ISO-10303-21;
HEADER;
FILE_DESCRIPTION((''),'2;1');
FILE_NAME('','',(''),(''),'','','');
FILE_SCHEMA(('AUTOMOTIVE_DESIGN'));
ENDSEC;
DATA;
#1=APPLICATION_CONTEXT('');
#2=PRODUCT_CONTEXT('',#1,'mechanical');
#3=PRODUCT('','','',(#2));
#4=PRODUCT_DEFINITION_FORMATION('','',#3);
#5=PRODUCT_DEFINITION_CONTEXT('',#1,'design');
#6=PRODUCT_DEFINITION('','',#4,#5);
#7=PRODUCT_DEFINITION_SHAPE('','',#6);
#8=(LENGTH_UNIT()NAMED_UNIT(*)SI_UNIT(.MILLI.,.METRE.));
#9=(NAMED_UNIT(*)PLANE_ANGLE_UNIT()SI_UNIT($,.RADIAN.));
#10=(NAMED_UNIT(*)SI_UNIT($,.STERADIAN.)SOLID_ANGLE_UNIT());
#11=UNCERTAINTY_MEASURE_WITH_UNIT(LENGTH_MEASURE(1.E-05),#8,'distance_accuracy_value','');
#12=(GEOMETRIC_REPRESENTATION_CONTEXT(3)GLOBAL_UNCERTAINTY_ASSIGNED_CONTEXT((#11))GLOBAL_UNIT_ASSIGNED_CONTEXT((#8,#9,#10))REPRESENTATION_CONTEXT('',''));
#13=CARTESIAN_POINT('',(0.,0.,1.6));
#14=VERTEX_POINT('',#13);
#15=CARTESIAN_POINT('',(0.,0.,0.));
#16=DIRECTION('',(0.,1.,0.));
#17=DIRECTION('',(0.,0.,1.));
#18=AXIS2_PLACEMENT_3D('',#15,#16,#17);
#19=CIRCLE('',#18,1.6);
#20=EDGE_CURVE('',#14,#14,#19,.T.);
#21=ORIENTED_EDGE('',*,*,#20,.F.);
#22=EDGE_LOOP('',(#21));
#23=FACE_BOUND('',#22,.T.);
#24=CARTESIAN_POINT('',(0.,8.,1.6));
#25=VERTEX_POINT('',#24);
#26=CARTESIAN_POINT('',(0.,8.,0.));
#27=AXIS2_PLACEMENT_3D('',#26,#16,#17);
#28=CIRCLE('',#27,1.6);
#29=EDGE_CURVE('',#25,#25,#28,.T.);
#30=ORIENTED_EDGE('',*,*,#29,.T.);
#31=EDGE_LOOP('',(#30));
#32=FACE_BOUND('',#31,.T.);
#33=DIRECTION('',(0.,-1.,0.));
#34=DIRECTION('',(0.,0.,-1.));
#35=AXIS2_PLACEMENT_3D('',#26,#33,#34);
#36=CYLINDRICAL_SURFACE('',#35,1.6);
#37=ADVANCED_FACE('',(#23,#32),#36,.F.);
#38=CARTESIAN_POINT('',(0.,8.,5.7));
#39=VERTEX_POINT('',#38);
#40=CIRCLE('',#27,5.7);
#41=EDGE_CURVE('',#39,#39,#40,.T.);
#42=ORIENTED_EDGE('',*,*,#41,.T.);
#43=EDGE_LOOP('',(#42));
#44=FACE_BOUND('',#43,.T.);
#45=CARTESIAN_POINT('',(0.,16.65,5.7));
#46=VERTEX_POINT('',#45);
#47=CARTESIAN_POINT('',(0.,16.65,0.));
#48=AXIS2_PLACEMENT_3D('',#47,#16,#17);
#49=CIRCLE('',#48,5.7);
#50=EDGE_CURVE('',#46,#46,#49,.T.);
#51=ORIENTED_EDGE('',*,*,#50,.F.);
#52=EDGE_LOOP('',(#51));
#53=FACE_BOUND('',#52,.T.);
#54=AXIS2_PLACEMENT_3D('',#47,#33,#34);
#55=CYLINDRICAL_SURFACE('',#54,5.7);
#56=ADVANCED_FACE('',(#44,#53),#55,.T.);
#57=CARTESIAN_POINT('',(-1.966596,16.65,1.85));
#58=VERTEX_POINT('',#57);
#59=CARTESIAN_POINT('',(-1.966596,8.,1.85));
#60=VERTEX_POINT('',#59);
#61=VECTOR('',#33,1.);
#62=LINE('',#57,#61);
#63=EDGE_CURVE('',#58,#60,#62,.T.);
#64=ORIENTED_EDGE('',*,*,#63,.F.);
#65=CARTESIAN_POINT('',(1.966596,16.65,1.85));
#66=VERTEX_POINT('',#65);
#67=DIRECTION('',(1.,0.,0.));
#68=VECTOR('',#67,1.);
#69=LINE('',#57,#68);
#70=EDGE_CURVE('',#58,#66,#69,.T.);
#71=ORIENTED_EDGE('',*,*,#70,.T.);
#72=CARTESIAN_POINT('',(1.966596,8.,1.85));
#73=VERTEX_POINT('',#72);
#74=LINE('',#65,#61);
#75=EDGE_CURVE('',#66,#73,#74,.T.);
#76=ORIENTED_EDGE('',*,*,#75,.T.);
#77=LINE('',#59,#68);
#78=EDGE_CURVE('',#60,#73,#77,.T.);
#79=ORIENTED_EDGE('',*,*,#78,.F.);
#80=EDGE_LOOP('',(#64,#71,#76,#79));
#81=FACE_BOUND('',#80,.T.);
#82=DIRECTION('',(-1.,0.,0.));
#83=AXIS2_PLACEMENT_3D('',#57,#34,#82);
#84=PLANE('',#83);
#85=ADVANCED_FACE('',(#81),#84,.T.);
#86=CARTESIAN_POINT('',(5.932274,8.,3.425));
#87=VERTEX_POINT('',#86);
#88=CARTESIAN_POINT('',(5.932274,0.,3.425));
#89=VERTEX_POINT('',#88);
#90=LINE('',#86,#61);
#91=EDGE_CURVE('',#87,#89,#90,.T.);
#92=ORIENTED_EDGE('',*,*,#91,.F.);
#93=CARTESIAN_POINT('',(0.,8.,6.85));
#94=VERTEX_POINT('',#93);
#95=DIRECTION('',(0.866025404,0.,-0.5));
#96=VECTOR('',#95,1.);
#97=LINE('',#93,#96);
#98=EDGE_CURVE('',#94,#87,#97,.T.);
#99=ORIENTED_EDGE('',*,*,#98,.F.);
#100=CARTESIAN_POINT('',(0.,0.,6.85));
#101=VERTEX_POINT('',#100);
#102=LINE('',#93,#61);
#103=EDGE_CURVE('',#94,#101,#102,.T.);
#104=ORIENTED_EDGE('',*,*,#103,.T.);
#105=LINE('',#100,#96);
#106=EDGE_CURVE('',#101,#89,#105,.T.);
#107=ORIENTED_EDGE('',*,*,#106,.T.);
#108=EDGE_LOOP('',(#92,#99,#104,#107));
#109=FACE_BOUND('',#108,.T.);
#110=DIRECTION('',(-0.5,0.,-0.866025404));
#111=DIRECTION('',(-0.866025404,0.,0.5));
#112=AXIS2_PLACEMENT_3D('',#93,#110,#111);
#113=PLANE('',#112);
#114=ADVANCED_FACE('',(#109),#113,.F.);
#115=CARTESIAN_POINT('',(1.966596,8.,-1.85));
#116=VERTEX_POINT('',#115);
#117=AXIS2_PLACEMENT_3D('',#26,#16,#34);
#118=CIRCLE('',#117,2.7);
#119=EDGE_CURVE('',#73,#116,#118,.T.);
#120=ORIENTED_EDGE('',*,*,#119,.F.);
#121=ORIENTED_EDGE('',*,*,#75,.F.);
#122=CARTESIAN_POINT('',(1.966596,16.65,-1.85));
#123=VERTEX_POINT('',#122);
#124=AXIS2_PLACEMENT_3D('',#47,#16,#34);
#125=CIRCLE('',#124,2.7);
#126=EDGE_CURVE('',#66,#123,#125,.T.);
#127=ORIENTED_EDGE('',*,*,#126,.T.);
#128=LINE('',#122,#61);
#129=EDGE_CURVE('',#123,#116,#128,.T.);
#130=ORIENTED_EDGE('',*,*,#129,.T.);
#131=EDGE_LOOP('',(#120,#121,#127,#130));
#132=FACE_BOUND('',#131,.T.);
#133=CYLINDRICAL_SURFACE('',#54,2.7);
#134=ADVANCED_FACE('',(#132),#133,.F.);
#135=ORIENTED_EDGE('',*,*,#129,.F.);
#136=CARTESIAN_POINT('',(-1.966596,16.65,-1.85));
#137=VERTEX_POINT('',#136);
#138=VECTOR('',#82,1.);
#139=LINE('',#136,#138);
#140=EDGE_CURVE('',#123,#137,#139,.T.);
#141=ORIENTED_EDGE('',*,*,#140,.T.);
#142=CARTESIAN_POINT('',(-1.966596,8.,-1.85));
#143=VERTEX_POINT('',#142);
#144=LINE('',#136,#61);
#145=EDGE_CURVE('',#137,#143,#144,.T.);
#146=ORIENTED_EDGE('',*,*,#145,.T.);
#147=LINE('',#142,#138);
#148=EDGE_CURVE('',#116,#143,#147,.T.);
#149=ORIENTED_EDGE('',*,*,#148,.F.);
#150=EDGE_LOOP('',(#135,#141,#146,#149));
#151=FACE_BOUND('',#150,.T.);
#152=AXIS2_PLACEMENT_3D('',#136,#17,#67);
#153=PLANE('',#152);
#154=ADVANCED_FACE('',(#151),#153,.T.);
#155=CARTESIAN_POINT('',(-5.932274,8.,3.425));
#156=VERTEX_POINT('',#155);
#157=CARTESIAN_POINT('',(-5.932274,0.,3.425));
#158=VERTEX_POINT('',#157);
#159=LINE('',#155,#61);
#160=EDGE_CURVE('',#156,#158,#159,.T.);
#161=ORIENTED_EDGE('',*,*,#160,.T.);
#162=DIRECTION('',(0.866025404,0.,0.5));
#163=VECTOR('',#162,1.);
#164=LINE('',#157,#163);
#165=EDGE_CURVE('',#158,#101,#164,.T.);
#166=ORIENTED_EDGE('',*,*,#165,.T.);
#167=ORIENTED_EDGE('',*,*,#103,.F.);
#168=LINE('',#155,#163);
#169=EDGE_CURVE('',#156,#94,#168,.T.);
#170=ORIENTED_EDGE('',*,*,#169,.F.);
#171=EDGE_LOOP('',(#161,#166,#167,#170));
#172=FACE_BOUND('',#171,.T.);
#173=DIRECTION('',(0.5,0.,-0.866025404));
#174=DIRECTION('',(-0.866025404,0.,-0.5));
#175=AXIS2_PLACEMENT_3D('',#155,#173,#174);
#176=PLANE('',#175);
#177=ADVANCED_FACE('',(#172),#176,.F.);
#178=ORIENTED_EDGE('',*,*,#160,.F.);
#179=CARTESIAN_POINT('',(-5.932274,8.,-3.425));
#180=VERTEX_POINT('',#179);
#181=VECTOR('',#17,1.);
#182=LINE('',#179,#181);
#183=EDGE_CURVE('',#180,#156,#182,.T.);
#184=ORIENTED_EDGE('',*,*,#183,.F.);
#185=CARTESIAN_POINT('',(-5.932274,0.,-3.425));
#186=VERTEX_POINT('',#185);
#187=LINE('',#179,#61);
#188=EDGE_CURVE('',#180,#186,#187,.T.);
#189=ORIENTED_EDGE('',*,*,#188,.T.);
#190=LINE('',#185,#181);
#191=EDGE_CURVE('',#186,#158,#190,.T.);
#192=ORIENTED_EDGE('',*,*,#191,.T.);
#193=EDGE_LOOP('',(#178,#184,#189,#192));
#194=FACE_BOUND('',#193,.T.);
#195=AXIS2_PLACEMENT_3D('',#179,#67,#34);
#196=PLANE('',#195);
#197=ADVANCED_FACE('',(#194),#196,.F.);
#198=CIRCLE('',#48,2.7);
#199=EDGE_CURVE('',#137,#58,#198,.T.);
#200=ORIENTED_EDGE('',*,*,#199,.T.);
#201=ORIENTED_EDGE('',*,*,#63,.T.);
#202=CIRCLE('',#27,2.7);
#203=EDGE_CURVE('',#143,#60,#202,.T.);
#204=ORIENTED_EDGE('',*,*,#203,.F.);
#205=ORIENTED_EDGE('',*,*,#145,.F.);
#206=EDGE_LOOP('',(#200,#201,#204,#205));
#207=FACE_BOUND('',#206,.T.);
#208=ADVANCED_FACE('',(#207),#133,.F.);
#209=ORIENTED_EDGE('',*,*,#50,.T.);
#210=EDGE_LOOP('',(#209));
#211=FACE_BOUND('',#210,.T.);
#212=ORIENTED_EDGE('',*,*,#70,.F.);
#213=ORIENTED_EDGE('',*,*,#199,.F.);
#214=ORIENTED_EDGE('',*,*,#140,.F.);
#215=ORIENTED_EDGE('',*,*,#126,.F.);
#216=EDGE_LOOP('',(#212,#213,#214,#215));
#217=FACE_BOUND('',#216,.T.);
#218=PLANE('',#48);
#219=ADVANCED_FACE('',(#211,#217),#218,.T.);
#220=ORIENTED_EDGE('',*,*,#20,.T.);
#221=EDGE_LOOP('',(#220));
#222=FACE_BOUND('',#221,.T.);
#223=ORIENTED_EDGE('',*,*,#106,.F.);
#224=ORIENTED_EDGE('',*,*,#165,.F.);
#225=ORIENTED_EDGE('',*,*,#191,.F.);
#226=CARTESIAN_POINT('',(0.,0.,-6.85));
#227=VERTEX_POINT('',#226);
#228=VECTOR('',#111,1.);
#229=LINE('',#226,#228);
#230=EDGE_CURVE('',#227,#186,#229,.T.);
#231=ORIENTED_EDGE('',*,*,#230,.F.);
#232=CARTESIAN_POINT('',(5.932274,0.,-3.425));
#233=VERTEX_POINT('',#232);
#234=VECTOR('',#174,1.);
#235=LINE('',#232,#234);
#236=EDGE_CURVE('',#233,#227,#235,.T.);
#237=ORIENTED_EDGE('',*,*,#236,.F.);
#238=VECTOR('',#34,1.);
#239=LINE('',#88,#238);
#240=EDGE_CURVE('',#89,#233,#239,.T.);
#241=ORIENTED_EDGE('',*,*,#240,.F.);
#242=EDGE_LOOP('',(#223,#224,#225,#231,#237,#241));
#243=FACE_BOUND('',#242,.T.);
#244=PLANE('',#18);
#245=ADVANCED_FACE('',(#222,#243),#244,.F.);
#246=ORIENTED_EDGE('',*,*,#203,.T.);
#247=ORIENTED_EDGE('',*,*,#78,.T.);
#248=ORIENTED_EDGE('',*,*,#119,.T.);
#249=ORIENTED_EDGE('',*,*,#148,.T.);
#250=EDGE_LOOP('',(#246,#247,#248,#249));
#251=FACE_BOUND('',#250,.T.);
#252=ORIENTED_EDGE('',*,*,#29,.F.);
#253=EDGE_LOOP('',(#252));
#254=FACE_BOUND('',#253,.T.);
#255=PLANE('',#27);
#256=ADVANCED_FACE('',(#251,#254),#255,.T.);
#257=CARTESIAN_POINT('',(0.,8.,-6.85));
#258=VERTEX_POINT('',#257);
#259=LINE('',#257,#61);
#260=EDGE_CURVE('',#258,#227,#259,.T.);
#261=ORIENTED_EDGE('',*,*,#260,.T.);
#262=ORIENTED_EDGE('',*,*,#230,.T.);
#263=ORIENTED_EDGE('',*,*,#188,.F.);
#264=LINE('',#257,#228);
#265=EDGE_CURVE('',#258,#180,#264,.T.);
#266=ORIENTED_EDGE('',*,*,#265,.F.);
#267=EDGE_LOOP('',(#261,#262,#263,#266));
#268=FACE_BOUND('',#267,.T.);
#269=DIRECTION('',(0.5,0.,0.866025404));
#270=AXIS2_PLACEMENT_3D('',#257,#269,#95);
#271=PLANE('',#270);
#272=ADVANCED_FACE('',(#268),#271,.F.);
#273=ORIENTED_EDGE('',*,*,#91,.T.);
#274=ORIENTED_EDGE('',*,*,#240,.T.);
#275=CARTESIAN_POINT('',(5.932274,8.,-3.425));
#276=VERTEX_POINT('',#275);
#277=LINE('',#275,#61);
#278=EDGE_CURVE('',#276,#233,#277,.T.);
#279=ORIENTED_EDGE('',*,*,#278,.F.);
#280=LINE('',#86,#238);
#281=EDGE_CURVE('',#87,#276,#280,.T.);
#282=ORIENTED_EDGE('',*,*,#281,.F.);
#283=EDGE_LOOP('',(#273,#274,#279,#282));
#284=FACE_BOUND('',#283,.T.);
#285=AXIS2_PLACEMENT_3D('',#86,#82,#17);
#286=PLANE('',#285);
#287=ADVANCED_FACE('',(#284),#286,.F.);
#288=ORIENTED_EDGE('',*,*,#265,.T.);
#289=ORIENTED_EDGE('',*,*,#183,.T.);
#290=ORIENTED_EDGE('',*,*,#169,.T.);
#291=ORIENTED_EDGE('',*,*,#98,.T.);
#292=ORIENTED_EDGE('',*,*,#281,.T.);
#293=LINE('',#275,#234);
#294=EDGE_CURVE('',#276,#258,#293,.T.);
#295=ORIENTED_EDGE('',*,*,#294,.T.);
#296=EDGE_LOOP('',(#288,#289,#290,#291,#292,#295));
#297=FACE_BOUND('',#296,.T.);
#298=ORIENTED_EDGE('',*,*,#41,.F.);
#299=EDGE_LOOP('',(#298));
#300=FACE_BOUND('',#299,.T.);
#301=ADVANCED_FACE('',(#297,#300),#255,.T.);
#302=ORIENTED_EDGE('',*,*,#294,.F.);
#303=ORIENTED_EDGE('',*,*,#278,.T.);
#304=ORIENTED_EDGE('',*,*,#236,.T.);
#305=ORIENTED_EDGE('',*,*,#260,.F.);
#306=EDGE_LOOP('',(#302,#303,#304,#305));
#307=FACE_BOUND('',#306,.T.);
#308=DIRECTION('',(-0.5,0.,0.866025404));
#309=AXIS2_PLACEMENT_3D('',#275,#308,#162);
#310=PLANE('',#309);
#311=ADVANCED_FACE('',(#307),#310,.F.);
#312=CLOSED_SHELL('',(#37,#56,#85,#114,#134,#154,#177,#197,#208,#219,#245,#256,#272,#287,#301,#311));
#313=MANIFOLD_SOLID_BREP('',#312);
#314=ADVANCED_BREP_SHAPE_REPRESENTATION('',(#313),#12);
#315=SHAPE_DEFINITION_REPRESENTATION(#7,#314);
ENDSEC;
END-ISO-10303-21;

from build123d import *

# Parameters (mm, degrees)
SKETCH_1_R      = 1.6
EXTRUDE_1_DEPTH = 8
SKETCH_2_R      = 5.7
EXTRUDE_2_DEPTH = 8.65


with BuildPart() as part:
    # 草图1 → 凸台-拉伸1 (new body)
    with BuildSketch(Plane(origin=(0, 0, 0), x_dir=(1, 0, 0), z_dir=(0, 1, 0))):
        Polygon((0, 6.85), (-5.932274016, 3.425), (-5.932274016, -3.425), (0, -6.85), (5.932274016, -3.425), (5.932274016, 3.425), align=None)
        with Locations(Location((0, 0, 0), (0, 0, 270))):
            Circle(SKETCH_1_R, mode=Mode.SUBTRACT)
    extrude(amount=EXTRUDE_1_DEPTH)

    # 草图2 → 凸台-拉伸2 (add)
    with BuildSketch(Plane(origin=(0, 8, 0), x_dir=(1, 0, 0), z_dir=(0, 1, 0))):
        with Locations(Location((0, 0, 0), (0, 0, 270))):
            Circle(SKETCH_2_R)
        with BuildLine():
            Line((-1.966596044, 1.85), (1.966596044, 1.85))
            ThreePointArc((1.966596044, 1.85), (2.7, 0), (1.966596044, -1.85))
            Line((1.966596044, -1.85), (-1.966596044, -1.85))
            ThreePointArc((-1.966596044, -1.85), (-2.7, 0), (-1.966596044, 1.85))
        make_face(mode=Mode.SUBTRACT)
    extrude(amount=EXTRUDE_2_DEPTH)


solid = part.part
